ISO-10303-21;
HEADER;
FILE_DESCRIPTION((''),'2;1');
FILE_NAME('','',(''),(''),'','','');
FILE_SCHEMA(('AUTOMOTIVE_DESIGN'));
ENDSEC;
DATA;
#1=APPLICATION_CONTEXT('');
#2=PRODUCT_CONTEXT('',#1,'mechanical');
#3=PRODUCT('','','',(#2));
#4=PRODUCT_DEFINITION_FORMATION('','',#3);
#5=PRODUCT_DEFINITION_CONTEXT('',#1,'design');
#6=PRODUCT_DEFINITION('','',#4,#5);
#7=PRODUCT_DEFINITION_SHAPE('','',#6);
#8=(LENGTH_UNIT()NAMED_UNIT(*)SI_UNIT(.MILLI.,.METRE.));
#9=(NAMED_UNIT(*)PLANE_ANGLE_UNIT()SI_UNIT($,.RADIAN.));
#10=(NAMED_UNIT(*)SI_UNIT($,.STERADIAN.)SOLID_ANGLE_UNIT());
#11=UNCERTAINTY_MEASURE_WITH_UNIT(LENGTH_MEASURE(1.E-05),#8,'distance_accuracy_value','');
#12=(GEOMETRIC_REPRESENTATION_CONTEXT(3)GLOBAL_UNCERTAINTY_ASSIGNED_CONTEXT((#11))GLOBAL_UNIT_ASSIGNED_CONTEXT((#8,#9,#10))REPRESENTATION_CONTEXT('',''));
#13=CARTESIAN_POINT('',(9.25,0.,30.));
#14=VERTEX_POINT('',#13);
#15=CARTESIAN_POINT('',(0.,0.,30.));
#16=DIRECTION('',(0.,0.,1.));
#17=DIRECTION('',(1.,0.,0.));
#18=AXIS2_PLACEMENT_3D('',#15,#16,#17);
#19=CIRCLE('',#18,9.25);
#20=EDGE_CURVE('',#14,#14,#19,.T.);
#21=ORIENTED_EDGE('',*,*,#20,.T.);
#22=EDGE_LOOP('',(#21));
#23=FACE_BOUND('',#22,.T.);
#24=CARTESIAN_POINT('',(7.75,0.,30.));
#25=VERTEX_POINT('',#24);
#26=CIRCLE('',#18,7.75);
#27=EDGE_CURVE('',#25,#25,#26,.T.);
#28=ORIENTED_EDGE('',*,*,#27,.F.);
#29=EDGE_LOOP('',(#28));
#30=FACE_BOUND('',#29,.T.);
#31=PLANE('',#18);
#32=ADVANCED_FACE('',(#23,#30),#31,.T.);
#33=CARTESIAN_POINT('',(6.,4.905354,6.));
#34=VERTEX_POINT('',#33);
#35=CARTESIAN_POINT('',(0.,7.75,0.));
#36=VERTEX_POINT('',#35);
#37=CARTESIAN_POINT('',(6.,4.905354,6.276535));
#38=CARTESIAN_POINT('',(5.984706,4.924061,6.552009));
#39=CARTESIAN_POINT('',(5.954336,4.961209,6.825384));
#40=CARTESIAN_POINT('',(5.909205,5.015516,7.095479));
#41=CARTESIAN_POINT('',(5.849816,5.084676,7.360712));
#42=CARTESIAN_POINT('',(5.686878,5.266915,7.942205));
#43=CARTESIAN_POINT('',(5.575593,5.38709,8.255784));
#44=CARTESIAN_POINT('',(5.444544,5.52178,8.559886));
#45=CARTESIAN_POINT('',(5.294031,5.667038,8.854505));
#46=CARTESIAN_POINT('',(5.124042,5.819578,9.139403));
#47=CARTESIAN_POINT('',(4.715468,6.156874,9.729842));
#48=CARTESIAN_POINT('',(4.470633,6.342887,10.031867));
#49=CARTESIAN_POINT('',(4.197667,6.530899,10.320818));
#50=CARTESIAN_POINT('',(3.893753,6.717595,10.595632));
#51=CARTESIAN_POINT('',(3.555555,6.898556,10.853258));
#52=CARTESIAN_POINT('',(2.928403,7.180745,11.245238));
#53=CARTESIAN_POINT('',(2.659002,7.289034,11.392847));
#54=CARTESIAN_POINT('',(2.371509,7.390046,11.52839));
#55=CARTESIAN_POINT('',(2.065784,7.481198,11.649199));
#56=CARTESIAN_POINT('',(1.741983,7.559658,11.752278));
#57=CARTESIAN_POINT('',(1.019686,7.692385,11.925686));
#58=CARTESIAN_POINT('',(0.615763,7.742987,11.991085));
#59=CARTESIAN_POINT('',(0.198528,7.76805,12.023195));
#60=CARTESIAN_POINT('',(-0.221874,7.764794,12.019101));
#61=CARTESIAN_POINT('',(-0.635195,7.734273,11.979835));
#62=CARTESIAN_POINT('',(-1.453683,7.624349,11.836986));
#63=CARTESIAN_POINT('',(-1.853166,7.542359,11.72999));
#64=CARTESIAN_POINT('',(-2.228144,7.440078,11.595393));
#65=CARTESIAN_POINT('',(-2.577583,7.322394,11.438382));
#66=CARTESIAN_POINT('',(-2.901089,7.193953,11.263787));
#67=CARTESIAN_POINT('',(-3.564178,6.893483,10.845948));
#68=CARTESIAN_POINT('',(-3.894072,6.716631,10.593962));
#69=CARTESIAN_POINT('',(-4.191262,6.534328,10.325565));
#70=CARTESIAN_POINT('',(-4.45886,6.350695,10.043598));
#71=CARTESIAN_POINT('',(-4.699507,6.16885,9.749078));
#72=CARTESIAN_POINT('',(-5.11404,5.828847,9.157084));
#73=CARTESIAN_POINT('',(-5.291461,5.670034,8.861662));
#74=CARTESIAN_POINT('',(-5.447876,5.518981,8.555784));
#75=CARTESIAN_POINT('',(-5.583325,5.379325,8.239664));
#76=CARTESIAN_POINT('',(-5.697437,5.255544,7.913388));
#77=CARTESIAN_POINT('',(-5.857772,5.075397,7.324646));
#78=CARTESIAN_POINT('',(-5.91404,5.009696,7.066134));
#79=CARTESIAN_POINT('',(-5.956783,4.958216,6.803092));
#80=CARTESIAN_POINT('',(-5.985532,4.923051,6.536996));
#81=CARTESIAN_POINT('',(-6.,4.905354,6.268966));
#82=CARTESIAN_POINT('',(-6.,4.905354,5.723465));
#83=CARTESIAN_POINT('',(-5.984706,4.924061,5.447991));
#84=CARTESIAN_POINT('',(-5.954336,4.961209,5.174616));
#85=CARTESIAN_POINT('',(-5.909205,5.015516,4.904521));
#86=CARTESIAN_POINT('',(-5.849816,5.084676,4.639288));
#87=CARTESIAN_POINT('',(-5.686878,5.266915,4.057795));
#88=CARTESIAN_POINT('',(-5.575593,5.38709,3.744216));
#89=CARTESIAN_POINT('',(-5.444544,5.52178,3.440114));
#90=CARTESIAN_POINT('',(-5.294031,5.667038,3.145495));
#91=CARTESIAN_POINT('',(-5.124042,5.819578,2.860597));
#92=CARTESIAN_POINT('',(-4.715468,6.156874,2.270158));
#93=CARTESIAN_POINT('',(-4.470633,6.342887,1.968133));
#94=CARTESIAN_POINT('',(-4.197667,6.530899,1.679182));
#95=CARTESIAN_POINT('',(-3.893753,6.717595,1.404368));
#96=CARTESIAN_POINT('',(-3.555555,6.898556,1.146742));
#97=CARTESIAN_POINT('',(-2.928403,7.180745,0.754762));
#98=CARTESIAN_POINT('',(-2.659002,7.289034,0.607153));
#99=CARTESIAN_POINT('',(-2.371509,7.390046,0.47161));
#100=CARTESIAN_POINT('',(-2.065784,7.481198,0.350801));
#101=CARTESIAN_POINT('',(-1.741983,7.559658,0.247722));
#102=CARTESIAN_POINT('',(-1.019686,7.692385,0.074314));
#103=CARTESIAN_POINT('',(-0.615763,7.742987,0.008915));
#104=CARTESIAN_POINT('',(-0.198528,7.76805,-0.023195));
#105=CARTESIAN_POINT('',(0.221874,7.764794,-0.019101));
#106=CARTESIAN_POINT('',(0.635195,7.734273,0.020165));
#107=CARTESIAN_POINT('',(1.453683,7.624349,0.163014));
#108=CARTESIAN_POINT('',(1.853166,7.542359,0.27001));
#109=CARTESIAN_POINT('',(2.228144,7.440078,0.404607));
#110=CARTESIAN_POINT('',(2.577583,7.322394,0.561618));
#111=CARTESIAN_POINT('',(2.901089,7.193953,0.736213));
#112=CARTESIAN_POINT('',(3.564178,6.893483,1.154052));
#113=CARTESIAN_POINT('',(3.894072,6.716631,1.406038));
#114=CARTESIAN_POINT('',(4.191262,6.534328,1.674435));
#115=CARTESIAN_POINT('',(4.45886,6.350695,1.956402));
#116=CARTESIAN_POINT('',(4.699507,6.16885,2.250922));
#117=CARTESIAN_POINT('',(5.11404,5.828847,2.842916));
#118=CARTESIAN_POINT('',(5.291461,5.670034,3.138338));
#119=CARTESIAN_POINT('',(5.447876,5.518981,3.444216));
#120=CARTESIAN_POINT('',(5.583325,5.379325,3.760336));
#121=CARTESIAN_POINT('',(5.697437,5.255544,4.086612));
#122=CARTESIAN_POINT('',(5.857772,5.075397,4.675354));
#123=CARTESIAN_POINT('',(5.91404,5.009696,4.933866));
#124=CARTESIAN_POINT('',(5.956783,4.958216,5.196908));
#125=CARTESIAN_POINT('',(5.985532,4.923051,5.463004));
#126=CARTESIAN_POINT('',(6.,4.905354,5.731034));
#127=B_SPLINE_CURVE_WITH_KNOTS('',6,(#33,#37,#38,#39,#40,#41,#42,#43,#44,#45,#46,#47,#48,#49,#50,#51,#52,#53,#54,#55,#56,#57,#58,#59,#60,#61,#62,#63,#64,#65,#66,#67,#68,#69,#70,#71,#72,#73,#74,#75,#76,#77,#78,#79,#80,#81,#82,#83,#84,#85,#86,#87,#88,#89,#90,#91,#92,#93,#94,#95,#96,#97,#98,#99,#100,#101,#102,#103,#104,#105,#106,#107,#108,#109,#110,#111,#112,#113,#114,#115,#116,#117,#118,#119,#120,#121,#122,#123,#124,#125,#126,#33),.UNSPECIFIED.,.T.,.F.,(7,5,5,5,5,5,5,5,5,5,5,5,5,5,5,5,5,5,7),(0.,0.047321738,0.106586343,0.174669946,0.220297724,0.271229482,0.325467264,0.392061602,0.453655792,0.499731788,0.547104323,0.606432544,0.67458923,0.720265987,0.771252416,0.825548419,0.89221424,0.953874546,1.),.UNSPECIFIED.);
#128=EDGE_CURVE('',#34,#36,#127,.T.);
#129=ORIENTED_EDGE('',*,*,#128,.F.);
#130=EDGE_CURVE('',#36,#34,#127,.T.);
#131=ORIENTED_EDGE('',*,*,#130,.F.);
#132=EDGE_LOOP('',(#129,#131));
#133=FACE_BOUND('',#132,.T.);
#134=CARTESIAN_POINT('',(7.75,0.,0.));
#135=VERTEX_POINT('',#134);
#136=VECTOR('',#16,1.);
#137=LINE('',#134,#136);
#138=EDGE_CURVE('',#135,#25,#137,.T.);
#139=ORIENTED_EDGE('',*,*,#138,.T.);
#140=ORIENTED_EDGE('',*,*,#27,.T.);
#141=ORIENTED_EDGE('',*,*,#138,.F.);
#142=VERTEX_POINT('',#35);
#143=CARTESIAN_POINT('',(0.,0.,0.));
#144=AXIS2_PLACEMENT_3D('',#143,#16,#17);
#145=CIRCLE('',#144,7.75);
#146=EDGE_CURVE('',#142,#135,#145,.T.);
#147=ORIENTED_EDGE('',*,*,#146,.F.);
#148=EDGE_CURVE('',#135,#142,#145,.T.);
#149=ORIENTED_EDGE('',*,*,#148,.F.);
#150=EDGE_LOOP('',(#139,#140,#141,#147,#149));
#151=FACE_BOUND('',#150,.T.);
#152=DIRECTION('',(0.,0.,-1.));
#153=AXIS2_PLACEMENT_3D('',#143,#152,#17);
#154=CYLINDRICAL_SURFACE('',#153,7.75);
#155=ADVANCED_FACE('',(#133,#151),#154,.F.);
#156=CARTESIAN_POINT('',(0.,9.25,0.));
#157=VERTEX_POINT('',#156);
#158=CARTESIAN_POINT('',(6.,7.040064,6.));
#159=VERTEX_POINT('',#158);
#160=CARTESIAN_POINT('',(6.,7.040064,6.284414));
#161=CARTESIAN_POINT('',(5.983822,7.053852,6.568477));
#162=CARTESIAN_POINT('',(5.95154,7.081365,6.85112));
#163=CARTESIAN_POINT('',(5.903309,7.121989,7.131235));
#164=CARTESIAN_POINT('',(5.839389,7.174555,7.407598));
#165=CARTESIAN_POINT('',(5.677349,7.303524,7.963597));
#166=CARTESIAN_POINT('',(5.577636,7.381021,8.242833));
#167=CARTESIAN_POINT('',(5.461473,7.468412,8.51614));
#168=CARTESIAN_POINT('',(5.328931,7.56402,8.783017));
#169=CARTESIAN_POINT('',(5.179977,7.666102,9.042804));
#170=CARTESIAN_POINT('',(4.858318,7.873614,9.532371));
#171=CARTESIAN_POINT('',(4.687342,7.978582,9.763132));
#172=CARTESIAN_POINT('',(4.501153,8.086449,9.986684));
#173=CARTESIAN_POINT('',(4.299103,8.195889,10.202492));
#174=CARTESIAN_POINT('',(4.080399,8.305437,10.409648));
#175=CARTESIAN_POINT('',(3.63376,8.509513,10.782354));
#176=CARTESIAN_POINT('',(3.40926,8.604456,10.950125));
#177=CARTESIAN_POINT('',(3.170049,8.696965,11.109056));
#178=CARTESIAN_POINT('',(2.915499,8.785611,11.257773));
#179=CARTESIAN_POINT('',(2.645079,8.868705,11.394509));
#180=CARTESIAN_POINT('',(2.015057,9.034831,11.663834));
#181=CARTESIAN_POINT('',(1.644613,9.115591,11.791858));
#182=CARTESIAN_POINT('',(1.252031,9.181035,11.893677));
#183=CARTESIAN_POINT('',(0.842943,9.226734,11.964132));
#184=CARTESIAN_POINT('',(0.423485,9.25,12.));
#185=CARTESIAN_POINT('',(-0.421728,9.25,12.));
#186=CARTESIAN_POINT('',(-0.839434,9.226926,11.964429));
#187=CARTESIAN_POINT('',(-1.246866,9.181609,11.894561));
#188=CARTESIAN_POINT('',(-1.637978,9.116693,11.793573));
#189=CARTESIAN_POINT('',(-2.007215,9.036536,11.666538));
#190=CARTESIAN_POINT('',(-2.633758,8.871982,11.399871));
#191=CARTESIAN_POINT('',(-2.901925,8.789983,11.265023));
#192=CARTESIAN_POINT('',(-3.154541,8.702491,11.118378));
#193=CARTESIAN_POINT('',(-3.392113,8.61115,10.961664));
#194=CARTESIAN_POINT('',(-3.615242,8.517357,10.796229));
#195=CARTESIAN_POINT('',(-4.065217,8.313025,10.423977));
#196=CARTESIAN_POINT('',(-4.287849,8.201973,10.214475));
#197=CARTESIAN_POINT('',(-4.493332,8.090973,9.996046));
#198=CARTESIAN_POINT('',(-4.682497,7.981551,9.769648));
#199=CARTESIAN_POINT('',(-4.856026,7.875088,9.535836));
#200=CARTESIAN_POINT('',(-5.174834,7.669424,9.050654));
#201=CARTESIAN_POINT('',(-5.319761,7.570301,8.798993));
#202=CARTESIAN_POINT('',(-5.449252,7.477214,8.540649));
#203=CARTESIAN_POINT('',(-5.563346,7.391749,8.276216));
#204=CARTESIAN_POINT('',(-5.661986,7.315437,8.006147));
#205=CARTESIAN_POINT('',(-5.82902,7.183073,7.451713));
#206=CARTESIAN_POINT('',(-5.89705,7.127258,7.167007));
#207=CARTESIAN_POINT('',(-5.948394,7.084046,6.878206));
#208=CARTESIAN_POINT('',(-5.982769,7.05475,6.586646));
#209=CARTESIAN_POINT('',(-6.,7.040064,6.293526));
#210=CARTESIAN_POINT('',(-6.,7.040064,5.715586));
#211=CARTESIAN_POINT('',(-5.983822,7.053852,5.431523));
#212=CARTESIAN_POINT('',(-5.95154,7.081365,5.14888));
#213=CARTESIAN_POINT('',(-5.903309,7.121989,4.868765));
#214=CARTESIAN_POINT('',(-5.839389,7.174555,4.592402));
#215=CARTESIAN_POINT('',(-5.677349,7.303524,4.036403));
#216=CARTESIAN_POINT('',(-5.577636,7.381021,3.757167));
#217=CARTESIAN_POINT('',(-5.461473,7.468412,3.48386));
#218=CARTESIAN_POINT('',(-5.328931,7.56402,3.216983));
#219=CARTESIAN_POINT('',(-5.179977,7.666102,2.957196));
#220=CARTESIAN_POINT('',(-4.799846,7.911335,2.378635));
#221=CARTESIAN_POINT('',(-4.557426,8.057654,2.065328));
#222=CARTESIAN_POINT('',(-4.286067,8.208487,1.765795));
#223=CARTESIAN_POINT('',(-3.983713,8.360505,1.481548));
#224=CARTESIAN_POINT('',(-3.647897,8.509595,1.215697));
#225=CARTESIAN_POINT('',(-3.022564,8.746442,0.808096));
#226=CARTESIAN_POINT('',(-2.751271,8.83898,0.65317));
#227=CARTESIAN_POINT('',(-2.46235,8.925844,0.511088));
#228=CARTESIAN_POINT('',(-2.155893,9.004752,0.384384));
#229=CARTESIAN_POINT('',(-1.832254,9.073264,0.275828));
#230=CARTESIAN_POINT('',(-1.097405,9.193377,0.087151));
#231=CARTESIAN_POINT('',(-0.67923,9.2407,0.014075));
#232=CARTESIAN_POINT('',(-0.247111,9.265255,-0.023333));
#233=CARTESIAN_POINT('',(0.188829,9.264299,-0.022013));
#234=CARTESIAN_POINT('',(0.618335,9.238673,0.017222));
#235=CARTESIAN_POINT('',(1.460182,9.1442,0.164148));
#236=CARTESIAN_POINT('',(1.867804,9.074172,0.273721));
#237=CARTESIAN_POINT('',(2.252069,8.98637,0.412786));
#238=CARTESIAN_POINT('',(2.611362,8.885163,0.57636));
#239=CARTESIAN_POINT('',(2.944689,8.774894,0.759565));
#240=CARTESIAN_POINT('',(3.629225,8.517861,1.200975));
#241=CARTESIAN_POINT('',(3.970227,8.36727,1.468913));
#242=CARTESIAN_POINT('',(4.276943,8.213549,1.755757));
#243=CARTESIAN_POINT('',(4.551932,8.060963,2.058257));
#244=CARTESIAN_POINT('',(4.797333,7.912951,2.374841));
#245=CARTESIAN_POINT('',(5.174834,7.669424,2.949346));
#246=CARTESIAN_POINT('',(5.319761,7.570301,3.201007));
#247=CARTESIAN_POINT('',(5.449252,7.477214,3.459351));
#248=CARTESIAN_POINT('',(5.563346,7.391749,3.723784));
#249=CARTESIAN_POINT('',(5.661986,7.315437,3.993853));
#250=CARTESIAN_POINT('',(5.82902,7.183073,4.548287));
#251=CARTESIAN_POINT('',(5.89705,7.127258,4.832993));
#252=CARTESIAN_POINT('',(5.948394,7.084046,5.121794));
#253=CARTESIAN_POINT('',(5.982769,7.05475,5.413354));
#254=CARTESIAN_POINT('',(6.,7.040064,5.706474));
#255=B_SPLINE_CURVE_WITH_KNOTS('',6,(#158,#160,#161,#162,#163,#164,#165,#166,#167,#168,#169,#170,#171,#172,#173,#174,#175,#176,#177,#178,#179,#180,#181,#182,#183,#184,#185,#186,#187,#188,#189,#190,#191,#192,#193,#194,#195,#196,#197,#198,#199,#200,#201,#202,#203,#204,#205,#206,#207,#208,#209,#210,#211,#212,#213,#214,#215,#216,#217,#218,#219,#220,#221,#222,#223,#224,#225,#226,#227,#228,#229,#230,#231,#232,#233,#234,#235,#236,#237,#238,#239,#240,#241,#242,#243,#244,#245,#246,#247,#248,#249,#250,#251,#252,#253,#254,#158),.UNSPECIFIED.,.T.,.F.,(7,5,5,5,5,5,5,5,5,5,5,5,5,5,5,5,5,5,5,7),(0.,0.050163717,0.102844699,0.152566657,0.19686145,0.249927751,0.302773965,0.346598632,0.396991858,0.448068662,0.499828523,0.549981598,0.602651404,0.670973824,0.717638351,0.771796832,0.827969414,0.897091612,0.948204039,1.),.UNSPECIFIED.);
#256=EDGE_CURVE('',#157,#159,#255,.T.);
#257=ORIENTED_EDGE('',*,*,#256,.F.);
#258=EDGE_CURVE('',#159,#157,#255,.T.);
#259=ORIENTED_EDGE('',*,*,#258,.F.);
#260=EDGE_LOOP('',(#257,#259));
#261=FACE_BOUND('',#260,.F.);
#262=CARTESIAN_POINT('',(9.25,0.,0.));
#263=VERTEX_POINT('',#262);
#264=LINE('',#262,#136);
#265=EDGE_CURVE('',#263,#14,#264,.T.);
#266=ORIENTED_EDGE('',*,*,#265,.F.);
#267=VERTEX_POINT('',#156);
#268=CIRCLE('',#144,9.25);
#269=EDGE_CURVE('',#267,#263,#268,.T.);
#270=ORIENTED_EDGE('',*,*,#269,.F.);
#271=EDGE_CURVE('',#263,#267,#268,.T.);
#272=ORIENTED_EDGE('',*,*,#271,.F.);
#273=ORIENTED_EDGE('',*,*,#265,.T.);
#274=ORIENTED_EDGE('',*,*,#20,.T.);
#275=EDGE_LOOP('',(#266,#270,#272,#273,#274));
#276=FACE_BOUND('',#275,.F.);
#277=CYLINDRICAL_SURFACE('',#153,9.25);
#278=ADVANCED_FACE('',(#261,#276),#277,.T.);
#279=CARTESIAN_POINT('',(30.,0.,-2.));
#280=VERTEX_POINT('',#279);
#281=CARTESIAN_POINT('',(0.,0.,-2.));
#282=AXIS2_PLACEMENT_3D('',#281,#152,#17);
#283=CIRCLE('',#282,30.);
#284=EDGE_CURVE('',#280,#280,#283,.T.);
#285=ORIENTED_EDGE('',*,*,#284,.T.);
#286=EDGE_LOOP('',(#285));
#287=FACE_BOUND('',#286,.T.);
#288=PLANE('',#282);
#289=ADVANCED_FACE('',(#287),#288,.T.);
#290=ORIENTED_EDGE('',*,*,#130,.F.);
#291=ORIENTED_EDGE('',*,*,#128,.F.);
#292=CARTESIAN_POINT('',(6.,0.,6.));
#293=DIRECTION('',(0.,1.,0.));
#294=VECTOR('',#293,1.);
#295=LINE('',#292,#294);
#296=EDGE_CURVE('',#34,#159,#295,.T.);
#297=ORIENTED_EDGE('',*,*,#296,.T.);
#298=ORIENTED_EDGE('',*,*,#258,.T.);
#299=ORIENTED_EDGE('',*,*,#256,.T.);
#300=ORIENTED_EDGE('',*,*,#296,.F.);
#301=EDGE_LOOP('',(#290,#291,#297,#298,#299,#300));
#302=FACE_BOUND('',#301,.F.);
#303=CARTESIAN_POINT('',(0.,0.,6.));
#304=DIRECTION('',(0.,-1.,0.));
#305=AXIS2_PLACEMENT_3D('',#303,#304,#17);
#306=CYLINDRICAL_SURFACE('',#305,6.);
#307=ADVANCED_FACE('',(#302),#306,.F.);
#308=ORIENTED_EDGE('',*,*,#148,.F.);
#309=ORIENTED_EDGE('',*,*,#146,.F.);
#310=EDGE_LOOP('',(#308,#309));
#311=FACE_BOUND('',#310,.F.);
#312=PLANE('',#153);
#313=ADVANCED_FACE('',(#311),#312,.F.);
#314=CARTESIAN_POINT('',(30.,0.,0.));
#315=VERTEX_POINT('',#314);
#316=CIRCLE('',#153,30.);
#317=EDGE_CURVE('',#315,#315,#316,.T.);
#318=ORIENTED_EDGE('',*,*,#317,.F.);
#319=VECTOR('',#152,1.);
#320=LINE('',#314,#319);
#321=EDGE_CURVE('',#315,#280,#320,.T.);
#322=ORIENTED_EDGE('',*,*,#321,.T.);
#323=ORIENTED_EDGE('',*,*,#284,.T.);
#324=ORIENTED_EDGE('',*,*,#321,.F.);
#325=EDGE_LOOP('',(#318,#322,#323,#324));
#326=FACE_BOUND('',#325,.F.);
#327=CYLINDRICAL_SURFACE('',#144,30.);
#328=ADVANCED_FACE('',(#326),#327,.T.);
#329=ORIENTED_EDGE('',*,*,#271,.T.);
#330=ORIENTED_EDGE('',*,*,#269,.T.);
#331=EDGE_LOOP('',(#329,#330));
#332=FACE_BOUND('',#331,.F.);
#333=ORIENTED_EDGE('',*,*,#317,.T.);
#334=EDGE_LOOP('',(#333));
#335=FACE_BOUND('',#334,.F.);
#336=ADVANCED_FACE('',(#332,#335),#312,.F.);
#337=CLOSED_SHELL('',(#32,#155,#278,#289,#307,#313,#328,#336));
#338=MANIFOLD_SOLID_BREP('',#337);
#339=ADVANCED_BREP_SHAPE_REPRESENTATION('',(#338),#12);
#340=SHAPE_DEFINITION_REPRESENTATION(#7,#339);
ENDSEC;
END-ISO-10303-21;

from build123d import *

# Parameters (mm, degrees)
F0_R     = 9.25
F0_R_2   = 7.75
F1_DEPTH = 30
F2_R     = 30
F3_DEPTH = 2
F4_R     = 6
F5_DEPTH = 25


with BuildPart() as f1:
    # F0 (on Top) → F1 (new body)
    with BuildSketch(Plane.XY):
        Circle(F0_R)
        Circle(F0_R_2, mode=Mode.SUBTRACT)
    extrude(amount=F1_DEPTH)

    # F2 (on face) → F3 (join)
    with BuildSketch(Plane(origin=(0, 0, 0), x_dir=(1, 0, 0), z_dir=(0, 0, -1))):
        Circle(F2_R)
    extrude(amount=F3_DEPTH)

    # F4 (on Front) → F5 (cut)
    with BuildSketch(Plane.XZ):
        with Locations((0, 6)):
            Circle(F4_R)
    extrude(amount=-F5_DEPTH, mode=Mode.SUBTRACT)


solid = f1.part
